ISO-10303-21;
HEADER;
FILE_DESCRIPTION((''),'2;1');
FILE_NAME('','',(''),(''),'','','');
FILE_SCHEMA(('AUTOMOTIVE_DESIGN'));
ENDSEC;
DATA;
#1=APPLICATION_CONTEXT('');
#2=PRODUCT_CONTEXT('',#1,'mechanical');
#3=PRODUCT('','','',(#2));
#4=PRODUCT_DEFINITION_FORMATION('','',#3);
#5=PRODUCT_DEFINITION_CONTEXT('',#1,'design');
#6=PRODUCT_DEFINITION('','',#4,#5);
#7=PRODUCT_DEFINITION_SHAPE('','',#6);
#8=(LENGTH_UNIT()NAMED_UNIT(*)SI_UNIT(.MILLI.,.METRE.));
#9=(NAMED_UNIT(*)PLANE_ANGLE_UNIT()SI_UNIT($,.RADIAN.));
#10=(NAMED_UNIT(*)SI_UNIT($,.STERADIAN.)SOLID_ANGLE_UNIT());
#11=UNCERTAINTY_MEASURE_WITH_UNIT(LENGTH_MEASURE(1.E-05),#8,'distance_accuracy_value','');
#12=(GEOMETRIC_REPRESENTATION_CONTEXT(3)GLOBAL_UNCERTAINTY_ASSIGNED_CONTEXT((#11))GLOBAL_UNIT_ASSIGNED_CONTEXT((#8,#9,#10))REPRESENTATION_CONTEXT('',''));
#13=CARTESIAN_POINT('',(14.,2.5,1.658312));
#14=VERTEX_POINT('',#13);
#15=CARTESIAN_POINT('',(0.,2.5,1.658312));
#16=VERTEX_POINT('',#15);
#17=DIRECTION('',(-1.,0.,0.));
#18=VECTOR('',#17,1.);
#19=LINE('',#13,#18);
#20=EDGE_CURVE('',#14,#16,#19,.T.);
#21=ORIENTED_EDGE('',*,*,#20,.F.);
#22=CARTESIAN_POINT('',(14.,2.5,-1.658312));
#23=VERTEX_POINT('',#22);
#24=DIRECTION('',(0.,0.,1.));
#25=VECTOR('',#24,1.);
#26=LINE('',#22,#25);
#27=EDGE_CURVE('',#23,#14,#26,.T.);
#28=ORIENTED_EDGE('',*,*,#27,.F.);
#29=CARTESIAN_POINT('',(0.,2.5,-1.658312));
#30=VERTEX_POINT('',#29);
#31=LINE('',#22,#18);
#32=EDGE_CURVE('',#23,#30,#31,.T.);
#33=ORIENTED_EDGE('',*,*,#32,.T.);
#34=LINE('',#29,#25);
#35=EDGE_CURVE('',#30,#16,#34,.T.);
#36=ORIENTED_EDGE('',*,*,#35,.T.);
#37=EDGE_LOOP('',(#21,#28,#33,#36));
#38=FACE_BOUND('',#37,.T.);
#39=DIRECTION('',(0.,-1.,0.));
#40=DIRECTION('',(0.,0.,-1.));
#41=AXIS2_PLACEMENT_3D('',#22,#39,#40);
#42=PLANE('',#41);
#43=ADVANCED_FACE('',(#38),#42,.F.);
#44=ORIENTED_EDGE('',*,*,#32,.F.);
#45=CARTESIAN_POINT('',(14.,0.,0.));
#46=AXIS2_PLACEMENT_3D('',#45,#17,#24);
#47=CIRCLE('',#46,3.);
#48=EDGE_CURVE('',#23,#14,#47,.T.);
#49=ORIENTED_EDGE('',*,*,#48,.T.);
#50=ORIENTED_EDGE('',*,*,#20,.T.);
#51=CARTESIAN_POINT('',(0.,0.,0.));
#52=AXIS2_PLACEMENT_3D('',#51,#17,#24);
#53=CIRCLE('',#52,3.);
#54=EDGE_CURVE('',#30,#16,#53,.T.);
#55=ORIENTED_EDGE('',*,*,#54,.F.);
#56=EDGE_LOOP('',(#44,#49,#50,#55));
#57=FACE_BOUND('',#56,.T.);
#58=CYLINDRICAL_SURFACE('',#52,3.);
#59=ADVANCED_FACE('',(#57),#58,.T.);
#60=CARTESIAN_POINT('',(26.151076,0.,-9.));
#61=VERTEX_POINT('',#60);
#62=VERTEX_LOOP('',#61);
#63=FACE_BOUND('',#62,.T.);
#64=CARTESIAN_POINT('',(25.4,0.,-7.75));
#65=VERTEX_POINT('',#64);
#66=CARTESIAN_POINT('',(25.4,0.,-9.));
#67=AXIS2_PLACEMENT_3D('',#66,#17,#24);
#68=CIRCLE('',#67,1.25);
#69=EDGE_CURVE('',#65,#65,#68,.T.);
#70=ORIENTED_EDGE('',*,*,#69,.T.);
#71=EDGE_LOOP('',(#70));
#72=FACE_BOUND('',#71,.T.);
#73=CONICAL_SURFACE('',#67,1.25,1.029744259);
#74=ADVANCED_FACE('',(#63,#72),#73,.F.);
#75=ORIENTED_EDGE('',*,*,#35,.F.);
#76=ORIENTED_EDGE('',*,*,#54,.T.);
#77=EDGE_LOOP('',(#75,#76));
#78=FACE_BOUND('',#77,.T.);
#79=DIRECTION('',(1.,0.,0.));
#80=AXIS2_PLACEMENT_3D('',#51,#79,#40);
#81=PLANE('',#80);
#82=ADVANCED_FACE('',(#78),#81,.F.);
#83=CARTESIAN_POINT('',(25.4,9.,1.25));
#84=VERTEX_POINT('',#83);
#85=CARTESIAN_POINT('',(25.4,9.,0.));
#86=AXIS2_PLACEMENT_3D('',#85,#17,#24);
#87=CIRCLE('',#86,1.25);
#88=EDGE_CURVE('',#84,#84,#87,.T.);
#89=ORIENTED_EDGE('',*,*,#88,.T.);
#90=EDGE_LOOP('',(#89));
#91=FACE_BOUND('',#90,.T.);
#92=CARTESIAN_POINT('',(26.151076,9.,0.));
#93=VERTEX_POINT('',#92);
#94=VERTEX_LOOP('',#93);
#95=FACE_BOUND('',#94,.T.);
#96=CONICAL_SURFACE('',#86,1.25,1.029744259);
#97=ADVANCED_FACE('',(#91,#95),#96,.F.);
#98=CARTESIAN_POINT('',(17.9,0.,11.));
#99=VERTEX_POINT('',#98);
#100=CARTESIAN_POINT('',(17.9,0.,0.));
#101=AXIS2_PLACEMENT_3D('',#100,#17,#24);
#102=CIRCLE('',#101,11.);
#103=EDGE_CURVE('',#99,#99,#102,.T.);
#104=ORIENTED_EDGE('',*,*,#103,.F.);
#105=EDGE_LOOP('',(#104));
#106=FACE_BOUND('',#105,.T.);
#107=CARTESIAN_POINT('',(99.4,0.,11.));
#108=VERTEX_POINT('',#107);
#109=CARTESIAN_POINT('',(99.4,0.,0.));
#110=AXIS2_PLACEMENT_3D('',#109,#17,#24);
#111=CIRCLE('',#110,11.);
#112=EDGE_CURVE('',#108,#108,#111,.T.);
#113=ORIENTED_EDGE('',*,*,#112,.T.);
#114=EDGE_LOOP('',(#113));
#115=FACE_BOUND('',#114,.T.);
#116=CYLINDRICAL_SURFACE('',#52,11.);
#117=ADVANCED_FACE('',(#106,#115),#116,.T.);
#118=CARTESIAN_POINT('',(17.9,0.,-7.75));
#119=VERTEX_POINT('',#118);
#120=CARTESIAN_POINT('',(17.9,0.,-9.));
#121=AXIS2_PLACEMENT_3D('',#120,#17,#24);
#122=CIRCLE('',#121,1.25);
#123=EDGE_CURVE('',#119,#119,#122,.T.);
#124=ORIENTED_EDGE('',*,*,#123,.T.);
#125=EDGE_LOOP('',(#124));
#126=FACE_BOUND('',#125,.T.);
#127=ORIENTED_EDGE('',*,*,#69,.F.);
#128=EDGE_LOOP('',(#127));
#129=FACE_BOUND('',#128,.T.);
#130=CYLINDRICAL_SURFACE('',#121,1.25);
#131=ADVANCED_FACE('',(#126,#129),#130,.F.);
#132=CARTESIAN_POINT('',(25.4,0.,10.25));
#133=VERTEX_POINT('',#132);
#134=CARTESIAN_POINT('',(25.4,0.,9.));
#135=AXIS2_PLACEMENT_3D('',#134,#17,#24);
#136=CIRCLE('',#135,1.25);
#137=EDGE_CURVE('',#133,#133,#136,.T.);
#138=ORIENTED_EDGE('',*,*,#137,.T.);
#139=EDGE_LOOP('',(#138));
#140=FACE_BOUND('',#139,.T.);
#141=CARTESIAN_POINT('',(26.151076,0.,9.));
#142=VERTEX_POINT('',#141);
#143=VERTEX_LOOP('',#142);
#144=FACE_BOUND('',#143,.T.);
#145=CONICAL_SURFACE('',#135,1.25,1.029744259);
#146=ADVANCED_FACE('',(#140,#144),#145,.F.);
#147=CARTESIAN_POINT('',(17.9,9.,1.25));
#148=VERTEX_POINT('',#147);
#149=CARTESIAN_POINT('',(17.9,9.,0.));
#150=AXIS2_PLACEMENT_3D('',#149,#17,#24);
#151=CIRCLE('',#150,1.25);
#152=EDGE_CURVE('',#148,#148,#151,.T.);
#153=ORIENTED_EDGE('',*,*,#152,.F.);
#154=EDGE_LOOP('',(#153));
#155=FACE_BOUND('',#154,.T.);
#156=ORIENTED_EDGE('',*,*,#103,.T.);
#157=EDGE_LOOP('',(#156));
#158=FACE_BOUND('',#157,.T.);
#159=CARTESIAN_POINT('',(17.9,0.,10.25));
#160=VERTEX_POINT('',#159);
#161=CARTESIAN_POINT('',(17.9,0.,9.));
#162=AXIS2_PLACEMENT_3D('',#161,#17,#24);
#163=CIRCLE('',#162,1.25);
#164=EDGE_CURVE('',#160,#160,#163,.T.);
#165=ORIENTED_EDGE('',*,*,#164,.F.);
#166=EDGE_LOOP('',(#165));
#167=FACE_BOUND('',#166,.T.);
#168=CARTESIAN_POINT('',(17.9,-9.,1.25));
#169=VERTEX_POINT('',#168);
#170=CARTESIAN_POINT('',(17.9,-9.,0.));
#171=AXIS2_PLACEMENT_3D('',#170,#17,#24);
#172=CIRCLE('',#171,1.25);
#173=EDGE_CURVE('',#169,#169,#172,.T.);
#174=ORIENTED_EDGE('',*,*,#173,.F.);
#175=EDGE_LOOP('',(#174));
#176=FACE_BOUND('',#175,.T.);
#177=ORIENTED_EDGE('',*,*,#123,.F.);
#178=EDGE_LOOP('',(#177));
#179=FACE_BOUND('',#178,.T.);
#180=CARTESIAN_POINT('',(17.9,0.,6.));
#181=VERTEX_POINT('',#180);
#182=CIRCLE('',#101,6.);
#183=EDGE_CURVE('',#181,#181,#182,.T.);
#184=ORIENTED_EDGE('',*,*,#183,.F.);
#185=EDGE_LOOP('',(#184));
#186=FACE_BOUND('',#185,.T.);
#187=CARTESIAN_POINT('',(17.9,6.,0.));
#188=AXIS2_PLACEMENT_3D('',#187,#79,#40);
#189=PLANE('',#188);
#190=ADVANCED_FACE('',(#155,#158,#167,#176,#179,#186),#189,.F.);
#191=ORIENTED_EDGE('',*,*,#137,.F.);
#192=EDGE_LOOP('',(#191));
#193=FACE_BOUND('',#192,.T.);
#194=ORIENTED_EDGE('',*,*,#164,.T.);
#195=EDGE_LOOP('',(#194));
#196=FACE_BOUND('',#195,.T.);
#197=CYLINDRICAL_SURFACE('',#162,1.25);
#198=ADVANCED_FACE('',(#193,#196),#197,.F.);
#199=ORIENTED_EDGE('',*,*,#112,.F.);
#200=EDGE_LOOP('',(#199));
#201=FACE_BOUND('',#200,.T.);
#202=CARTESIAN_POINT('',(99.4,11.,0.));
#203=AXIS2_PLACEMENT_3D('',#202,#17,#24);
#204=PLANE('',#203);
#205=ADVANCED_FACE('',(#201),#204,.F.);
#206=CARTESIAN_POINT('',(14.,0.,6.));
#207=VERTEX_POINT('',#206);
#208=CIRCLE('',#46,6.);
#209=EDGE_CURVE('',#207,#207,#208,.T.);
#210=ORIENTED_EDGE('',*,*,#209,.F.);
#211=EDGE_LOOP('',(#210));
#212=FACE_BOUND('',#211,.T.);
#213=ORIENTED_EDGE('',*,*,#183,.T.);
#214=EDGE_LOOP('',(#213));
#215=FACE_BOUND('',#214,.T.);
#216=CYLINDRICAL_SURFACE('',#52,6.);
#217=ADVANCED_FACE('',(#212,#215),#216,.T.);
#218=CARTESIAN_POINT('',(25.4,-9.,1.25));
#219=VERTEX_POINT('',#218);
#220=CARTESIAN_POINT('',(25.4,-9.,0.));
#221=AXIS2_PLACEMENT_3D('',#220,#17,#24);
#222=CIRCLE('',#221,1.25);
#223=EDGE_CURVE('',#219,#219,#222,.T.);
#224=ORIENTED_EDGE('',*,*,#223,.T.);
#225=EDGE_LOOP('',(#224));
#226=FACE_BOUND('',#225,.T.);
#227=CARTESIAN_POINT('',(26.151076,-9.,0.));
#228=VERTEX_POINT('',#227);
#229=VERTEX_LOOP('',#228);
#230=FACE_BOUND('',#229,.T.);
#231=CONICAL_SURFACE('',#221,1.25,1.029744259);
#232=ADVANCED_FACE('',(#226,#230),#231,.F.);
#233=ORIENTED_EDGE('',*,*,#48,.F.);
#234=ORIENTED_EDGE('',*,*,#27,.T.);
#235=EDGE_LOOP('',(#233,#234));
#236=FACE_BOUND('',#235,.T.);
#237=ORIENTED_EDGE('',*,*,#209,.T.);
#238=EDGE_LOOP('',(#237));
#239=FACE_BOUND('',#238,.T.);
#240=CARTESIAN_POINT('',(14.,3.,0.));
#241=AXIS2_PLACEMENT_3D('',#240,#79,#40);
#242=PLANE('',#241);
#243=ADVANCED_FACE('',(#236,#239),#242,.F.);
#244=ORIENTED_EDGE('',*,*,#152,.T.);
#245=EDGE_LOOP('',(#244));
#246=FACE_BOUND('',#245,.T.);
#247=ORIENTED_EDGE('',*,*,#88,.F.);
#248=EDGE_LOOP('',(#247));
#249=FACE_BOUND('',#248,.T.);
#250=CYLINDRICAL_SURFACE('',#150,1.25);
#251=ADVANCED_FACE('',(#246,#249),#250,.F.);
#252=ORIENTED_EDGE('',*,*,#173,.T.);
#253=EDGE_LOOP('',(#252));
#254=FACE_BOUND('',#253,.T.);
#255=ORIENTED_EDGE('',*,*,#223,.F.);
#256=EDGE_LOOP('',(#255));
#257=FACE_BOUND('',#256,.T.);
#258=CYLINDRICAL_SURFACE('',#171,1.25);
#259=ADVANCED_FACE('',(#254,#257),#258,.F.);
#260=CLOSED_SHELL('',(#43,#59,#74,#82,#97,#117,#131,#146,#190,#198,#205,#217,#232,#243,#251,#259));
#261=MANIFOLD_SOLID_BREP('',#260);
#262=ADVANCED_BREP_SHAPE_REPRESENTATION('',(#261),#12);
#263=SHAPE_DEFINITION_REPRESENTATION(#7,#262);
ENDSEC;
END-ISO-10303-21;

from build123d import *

# Parameters (mm, degrees)
M3X0_5_TAPPED_HOLE1_D     = 2.5
M3X0_5_TAPPED_HOLE1_DEPTH = 7.5
M3X0_5_TAPPED_HOLE1_TIP   = 0.751075774
CUT_EXTRUDE1_START        = -14
CUT_EXTRUDE1_DEPTH        = 14


with BuildPart() as part:
    # Sketch1 → Revolve1 (revolve)
    with BuildSketch(Plane.XY, mode=Mode.PRIVATE) as revolve1_sk:
        Polygon((0, 0), (0, 3), (14, 3), (14, 6), (17.9, 6), (17.9, 11), (99.4, 11), (99.4, 0), align=None)
    revolve(revolve1_sk.sketch.rotate(Axis((0, 0, 0), (1, 0, 0)), 90), axis=Axis((0, 0, 0), (1, 0, 0)))

    # M3x0.5 Tapped Hole1
    with Locations(Plane.ZY.offset(-17.9)):
        with Locations((-9, 0), (0, 9), (9, 0), (0, -9)):
            Hole(M3X0_5_TAPPED_HOLE1_D / 2, depth=M3X0_5_TAPPED_HOLE1_DEPTH)
            with Locations((0, 0, -(M3X0_5_TAPPED_HOLE1_DEPTH + M3X0_5_TAPPED_HOLE1_TIP / 2))):  # 118° drill point
                Cone(0, M3X0_5_TAPPED_HOLE1_D / 2, M3X0_5_TAPPED_HOLE1_TIP, mode=Mode.SUBTRACT)

    # Sketch4 → Cut-Extrude1 (cut)
    with BuildSketch(Plane.ZY.offset(CUT_EXTRUDE1_START)):
        with BuildLine():
            Line((-1.658312395, 2.5), (1.658312395, 2.5))
            ThreePointArc((1.658312395, 2.5), (0, 3), (-1.658312395, 2.5))
        make_face()
    extrude(amount=CUT_EXTRUDE1_DEPTH, mode=Mode.SUBTRACT)


solid = part.part
